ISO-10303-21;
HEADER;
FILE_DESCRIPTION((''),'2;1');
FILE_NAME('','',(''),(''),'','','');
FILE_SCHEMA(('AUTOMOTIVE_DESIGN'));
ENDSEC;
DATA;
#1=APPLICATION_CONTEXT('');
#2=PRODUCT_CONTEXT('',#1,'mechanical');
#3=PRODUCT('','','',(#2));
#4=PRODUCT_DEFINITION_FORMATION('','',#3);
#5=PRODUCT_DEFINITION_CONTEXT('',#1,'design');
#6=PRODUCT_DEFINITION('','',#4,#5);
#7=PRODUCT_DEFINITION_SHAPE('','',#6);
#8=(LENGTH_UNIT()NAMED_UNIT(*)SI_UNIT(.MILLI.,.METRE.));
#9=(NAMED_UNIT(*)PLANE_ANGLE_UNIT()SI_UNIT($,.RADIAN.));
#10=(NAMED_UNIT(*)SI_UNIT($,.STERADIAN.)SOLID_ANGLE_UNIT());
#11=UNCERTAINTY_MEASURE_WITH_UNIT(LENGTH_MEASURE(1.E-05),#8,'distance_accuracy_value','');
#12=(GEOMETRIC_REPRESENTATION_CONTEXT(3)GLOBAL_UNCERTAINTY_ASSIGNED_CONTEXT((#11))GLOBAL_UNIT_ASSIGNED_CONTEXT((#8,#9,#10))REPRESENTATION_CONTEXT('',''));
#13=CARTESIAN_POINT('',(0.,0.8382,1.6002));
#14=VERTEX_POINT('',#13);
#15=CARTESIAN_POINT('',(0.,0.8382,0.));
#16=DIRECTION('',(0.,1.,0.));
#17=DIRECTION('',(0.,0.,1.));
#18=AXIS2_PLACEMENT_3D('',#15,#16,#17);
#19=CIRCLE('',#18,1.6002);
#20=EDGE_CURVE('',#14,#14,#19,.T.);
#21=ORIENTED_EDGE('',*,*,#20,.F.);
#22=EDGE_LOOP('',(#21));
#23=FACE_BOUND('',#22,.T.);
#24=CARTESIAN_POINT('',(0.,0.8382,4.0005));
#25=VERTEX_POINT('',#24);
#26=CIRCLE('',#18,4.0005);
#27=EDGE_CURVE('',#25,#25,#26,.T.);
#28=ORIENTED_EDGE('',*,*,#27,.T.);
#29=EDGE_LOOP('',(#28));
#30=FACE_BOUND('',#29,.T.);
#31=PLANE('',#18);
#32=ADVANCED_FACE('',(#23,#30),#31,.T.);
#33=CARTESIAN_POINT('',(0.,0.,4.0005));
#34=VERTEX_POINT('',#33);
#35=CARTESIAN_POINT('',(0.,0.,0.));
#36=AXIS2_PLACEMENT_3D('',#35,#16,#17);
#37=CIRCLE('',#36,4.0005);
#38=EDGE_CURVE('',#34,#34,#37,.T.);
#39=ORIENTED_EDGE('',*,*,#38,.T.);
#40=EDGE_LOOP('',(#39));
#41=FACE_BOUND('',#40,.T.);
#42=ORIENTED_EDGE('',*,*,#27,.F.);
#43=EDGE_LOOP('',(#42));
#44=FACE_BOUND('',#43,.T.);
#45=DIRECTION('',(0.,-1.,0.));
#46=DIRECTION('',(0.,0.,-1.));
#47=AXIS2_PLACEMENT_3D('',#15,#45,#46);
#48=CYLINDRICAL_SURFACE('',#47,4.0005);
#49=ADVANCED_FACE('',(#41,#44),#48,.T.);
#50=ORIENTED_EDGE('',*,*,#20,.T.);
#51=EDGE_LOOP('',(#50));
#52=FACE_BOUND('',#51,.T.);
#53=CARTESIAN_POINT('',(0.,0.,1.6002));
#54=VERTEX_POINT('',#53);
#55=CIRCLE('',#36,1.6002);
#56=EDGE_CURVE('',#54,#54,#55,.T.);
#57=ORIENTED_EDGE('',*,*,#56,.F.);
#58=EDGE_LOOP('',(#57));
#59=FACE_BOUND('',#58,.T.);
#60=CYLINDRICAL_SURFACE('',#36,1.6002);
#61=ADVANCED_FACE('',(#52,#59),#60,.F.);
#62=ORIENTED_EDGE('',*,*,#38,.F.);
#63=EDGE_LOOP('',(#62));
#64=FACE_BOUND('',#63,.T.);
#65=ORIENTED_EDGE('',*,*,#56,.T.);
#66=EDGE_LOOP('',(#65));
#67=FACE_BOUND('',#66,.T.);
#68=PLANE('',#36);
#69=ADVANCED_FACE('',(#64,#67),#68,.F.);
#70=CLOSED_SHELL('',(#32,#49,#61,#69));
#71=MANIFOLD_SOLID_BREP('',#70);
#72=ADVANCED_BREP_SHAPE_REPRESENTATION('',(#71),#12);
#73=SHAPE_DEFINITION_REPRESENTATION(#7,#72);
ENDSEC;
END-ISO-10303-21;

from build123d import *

# Parameters (mm, degrees)
SKETCH1_R           = 4.0005
BOSS_EXTRUDE1_DEPTH = 0.8382
SKETCH5_R           = 1.6002
CUT_EXTRUDE1_DEPTH  = 1.8382


with BuildPart() as part:
    # Sketch1 → Boss-Extrude1 (new body)
    with BuildSketch(Plane(origin=(0, 0, 0), x_dir=(1, 0, 0), z_dir=(0, 1, 0))):
        Circle(SKETCH1_R)
    extrude(amount=BOSS_EXTRUDE1_DEPTH)

    # Sketch5 → Cut-Extrude1 (cut, through all)
    with BuildSketch(Plane(origin=(0, 0.8382, 0), x_dir=(-1, 0, 0), z_dir=(0, 1, 0))):
        Circle(SKETCH5_R)
    extrude(amount=-CUT_EXTRUDE1_DEPTH, mode=Mode.SUBTRACT)


solid = part.part
